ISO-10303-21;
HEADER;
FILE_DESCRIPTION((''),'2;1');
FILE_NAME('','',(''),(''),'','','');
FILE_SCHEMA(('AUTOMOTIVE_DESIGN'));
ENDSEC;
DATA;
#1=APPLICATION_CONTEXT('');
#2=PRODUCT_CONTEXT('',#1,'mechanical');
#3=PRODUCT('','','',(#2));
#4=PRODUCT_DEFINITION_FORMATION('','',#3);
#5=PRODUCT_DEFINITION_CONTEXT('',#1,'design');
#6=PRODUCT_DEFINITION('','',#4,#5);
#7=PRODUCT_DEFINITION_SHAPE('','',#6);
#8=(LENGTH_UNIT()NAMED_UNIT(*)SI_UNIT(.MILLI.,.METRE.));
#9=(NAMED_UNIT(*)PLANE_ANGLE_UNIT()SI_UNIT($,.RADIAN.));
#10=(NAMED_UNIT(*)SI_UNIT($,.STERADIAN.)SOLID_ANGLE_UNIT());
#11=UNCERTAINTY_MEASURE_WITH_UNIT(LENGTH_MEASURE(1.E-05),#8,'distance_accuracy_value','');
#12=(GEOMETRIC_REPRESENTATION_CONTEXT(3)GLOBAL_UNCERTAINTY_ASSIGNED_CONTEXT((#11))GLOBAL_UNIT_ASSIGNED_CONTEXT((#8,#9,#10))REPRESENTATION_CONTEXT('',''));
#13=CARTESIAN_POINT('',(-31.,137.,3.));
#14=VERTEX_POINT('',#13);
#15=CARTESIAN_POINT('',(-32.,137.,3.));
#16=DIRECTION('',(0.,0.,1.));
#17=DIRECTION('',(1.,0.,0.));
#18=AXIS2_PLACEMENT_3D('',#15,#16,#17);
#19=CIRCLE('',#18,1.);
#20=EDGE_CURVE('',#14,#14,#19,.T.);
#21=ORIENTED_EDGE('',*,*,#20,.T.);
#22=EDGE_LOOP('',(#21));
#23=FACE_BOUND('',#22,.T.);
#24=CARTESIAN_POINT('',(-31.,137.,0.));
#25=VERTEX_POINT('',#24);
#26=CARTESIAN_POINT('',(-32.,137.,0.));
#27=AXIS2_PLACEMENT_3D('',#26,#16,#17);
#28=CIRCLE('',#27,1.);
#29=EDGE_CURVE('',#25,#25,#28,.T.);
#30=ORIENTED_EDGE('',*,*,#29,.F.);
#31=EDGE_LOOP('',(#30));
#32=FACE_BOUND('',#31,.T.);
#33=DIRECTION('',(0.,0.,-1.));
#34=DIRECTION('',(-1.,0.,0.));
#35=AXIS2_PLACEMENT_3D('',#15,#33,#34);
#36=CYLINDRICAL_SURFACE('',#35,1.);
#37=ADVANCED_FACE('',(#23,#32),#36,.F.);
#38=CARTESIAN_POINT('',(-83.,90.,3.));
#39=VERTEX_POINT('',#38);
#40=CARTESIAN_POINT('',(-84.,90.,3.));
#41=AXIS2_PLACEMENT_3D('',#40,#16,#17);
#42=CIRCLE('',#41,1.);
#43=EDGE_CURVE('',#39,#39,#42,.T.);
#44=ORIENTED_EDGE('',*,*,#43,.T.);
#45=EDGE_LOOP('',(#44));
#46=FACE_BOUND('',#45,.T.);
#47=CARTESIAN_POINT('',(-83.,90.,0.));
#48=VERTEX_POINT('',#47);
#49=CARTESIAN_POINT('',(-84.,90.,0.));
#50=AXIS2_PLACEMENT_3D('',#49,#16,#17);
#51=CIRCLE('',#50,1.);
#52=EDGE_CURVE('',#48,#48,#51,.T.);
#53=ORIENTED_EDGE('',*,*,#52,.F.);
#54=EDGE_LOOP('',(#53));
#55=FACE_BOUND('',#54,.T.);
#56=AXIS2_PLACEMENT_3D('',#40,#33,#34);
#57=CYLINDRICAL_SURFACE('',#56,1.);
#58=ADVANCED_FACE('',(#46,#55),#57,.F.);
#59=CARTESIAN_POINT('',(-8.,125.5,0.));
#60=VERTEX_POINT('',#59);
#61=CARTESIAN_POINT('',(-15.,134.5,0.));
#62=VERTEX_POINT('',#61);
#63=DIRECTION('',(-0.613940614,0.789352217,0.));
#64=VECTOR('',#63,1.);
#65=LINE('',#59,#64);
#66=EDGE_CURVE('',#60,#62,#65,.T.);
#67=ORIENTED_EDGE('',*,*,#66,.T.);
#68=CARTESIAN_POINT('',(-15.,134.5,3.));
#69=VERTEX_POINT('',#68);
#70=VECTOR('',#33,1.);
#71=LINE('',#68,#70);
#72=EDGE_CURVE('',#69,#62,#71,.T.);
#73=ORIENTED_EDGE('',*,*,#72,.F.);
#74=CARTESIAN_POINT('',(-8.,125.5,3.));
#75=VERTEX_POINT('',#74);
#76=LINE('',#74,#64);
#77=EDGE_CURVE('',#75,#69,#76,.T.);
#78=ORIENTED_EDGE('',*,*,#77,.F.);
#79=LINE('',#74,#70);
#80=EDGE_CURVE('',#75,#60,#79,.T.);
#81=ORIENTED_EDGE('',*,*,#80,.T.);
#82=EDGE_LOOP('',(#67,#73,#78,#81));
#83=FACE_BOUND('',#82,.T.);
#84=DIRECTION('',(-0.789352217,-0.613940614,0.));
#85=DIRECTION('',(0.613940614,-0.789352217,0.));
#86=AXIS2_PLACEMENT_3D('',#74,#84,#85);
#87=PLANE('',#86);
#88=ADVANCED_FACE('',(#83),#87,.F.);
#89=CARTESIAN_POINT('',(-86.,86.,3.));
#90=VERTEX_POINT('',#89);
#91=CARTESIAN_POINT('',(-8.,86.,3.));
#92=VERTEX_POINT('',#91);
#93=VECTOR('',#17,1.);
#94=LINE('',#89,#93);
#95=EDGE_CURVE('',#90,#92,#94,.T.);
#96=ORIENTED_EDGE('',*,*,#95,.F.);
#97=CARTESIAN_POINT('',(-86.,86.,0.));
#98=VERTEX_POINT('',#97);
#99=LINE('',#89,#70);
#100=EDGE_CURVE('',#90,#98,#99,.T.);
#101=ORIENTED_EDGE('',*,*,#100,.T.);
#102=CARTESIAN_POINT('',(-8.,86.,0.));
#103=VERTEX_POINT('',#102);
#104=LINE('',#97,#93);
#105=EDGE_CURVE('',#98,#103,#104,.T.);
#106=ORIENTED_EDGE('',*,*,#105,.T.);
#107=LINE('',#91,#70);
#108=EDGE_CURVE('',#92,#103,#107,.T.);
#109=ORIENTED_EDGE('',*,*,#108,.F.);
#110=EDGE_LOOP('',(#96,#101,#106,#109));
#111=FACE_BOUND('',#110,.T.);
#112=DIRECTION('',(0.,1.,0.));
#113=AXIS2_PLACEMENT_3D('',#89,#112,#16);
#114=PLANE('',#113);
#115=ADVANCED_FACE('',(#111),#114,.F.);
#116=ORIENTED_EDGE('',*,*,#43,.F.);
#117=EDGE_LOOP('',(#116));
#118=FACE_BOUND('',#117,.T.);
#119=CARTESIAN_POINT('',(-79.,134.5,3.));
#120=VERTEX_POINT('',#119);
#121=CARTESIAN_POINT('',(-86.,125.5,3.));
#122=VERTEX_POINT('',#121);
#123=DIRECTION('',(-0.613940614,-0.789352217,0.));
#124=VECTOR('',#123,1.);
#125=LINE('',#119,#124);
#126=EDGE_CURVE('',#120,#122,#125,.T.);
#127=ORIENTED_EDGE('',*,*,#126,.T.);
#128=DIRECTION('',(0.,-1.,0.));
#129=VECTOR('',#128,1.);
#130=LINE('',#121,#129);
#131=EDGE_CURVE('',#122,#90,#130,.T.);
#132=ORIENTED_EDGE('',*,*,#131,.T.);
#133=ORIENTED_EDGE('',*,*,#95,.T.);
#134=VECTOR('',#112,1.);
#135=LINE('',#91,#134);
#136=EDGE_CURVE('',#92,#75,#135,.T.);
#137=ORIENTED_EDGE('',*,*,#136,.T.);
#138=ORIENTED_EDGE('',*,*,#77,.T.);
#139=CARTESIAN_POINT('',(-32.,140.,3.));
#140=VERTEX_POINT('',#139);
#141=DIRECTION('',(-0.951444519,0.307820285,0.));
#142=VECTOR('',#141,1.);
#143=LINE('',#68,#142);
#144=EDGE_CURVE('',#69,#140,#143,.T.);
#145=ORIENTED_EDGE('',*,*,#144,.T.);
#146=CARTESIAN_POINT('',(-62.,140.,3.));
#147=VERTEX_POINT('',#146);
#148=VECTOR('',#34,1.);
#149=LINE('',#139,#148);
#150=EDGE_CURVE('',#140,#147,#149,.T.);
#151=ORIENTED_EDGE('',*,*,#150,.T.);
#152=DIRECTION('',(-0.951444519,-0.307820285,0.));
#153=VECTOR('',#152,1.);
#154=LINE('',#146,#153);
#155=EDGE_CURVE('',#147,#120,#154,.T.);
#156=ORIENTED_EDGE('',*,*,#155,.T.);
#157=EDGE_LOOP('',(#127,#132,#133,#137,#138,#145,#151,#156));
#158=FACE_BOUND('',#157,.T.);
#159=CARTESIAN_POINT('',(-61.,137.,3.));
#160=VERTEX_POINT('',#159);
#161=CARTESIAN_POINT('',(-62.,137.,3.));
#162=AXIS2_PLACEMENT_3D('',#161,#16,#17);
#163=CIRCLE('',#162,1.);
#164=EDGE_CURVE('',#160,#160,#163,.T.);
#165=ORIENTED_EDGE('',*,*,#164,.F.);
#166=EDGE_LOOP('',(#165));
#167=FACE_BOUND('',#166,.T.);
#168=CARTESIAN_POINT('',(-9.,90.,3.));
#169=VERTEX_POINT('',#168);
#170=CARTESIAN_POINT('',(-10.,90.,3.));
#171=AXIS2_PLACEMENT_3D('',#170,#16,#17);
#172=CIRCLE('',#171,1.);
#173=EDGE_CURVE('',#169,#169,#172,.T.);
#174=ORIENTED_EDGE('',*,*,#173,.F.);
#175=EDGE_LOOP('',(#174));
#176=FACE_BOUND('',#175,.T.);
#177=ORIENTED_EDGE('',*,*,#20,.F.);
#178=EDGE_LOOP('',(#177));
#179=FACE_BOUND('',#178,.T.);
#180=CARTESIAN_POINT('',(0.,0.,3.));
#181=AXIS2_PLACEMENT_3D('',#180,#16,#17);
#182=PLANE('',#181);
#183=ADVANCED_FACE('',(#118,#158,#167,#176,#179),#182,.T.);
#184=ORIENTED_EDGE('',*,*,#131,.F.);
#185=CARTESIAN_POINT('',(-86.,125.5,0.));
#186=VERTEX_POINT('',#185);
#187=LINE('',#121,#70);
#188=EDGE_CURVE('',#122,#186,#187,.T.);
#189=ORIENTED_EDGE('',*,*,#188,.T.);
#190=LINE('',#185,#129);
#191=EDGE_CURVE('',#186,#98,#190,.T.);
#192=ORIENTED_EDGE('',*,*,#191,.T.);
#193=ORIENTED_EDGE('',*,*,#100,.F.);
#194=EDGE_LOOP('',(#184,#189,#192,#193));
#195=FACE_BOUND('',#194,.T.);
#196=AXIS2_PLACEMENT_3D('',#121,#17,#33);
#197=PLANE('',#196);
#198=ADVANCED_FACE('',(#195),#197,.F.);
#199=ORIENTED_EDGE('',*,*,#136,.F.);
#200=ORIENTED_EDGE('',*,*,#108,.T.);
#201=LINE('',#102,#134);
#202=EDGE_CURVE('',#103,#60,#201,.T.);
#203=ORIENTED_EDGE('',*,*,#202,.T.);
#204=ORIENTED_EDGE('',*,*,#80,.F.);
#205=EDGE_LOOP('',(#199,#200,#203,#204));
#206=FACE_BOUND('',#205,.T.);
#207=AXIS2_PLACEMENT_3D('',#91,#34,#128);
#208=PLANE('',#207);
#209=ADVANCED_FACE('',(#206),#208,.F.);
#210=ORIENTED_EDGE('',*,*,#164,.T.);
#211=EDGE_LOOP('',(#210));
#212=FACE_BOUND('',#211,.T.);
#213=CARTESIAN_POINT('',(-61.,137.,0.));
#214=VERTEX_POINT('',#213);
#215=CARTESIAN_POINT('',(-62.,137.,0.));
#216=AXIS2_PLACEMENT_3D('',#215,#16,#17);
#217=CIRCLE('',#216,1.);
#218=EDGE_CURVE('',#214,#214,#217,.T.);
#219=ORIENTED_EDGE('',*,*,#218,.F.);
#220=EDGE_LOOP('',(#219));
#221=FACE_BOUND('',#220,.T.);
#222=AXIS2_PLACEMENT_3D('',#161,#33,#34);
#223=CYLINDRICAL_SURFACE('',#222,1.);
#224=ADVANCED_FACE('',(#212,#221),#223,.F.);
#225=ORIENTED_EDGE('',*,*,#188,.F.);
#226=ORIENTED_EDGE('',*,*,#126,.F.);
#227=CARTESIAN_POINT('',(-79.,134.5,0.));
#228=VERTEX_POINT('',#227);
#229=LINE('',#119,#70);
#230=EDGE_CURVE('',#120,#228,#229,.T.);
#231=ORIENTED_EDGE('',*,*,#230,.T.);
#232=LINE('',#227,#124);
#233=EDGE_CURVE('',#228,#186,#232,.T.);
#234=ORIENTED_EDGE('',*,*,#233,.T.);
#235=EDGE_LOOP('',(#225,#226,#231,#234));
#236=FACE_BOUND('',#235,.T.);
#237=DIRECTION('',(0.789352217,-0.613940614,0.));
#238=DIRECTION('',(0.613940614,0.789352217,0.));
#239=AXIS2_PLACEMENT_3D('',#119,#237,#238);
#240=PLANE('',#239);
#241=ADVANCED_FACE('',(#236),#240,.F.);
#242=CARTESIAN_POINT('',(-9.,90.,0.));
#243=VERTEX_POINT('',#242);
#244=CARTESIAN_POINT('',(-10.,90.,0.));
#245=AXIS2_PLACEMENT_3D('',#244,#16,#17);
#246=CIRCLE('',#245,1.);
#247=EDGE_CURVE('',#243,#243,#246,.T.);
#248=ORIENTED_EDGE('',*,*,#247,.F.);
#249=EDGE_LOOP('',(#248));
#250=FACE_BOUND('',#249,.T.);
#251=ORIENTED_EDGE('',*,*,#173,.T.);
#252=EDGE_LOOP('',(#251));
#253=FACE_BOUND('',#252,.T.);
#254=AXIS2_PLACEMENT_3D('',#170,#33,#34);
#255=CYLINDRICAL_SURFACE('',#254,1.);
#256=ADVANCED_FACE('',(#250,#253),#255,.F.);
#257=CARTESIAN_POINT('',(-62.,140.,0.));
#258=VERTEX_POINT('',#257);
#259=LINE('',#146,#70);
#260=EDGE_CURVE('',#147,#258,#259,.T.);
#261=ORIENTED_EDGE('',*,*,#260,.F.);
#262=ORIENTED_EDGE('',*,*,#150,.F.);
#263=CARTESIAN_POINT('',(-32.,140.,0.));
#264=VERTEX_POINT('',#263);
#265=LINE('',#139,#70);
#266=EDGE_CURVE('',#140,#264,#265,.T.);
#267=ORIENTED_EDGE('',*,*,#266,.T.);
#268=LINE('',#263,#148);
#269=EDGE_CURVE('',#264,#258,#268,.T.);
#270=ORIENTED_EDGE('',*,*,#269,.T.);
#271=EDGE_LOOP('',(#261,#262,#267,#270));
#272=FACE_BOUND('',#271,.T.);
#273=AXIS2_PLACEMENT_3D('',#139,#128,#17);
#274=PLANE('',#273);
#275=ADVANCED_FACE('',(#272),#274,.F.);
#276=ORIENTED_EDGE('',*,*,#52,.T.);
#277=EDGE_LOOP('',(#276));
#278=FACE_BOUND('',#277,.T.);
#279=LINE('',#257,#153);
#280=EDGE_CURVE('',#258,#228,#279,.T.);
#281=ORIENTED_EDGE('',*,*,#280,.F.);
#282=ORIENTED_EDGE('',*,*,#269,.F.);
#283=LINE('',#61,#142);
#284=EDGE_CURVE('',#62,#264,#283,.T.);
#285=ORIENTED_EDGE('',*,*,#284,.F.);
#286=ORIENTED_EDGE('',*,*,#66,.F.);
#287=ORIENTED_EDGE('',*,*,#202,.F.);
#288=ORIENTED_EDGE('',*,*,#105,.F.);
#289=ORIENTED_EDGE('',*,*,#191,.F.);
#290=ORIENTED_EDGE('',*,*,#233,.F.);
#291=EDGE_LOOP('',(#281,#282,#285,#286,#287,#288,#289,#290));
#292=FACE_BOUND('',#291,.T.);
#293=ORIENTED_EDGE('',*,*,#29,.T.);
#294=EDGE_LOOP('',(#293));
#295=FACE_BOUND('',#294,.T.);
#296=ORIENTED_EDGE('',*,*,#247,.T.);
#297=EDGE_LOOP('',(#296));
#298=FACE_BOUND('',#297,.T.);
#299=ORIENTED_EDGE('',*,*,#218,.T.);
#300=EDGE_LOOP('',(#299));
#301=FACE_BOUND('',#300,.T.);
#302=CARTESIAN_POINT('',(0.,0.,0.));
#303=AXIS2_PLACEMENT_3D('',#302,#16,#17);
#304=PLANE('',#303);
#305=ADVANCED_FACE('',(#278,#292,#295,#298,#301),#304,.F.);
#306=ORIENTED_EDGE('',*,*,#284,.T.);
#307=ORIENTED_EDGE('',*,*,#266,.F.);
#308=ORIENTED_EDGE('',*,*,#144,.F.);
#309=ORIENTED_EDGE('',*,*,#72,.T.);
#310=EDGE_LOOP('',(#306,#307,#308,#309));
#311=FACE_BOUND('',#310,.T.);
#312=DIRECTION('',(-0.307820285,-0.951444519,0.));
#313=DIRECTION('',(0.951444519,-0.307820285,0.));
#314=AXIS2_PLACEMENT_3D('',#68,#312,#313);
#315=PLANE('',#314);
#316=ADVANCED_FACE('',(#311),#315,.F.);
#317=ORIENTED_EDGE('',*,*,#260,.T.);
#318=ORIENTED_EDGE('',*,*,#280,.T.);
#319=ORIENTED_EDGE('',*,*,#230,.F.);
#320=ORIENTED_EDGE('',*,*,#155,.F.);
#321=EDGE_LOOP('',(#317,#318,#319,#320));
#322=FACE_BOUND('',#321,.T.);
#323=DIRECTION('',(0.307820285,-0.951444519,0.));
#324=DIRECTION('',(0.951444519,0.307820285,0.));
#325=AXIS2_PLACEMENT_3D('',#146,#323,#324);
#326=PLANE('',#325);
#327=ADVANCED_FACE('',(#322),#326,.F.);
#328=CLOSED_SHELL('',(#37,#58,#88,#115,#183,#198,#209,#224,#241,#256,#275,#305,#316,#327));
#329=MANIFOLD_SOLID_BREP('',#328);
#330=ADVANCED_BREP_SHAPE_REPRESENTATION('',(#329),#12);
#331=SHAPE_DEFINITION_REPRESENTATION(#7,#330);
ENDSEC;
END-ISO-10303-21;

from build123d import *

# Parameters (mm, degrees)
SKETCH_1_R      = 1
EXTRUDE_1_DEPTH = 3


with BuildPart() as part:
    # 草图1 → 凸台-拉伸1 (new body)
    with BuildSketch(Plane.XY):
        Polygon((-8, 125.5), (-15, 134.5), (-32, 140), (-62, 140), (-79, 134.5), (-86, 125.5), (-86, 86), (-8, 86), align=None)
        with Locations((-32, 137)):
            Circle(SKETCH_1_R, mode=Mode.SUBTRACT)
        with Locations((-62, 137)):
            Circle(SKETCH_1_R, mode=Mode.SUBTRACT)
        with Locations((-84, 90)):
            Circle(SKETCH_1_R, mode=Mode.SUBTRACT)
        with Locations((-10, 90)):
            Circle(SKETCH_1_R, mode=Mode.SUBTRACT)
    extrude(amount=EXTRUDE_1_DEPTH)


solid = part.part
